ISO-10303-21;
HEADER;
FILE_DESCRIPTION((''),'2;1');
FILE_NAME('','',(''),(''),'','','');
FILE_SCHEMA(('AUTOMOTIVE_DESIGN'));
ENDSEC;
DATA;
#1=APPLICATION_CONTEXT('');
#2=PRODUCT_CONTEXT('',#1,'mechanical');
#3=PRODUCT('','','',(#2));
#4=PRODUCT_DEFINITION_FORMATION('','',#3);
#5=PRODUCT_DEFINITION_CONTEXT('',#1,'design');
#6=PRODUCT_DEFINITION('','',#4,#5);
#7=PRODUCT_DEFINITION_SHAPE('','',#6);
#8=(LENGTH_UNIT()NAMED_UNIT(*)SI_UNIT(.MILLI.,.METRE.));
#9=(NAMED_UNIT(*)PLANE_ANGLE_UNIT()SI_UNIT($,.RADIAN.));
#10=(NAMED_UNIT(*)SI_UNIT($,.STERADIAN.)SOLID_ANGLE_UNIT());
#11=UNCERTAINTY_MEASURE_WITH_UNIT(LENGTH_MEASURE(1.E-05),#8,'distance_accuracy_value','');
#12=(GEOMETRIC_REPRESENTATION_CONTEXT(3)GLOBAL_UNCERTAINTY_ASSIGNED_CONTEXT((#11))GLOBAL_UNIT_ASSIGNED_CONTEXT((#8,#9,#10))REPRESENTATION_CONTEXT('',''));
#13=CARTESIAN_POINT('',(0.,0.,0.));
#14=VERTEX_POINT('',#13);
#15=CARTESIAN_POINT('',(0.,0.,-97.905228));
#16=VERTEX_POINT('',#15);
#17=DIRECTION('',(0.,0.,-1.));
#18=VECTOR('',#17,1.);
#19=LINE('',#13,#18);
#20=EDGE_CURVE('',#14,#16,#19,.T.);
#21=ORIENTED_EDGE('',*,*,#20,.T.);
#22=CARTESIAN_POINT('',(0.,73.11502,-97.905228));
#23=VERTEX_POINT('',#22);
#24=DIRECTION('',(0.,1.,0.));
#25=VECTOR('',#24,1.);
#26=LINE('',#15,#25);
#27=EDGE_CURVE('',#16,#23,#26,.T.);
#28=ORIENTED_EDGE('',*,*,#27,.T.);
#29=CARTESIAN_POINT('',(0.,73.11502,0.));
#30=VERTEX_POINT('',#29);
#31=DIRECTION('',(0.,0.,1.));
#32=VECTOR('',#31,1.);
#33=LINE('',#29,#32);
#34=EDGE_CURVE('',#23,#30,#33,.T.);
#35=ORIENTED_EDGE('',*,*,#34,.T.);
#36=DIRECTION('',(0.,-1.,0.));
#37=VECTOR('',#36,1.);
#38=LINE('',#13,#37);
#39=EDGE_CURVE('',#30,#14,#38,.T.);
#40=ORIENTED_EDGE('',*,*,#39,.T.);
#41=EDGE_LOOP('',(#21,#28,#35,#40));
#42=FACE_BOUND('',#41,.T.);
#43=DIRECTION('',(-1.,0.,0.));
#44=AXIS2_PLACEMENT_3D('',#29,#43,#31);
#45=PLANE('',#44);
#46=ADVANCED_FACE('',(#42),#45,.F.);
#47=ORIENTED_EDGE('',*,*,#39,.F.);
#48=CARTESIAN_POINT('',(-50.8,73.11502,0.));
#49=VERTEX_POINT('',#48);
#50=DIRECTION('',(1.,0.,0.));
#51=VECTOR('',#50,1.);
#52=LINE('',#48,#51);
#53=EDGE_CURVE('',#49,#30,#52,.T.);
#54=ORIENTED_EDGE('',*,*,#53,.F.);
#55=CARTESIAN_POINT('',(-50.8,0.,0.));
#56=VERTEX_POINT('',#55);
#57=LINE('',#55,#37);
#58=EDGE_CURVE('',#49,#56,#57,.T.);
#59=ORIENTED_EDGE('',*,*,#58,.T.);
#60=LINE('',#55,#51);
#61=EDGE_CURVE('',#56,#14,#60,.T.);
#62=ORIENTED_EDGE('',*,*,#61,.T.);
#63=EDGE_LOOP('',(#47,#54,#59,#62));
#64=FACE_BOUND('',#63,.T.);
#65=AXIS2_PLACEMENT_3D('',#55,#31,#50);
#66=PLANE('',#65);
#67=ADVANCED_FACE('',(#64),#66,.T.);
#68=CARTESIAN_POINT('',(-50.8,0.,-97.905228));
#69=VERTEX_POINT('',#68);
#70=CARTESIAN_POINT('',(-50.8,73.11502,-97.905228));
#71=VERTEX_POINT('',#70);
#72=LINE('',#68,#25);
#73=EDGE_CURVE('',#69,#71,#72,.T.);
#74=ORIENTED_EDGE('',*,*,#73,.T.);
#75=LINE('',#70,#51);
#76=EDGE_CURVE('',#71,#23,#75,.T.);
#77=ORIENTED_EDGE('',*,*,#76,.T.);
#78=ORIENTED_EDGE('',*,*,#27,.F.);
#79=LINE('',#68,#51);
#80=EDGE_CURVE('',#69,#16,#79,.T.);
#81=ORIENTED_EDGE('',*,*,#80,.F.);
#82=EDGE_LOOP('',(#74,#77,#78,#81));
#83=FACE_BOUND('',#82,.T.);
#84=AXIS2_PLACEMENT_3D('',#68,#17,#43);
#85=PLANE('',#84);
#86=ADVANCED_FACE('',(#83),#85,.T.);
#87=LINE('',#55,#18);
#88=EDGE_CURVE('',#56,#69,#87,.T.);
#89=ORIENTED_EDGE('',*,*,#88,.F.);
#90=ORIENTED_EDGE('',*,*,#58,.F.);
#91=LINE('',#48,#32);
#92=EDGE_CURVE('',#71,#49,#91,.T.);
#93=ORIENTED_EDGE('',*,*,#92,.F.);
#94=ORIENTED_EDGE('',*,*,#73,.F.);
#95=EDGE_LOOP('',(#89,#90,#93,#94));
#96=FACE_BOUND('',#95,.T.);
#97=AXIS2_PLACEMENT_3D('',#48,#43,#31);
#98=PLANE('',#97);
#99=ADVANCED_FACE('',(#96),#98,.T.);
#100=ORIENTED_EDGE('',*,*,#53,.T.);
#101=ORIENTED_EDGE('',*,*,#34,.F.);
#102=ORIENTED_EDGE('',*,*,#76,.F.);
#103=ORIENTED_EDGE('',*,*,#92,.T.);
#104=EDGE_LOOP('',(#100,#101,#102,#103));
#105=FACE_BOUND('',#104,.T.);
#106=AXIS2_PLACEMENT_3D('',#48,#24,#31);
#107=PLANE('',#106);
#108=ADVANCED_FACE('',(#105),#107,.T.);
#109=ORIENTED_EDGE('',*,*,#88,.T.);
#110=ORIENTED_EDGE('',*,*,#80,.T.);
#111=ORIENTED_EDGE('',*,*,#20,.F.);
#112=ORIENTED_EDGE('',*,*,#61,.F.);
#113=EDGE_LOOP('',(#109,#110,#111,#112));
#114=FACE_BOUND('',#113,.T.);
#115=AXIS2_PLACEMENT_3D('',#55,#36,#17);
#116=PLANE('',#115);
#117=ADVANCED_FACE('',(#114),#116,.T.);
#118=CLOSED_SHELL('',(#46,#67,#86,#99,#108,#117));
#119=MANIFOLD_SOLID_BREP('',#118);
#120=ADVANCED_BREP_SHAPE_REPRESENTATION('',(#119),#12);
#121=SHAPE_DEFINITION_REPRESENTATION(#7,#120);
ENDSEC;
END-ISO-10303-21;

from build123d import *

# Parameters (mm, degrees)
SKETCH1_W      = 97.905228439
SKETCH1_H      = 73.115019589
EXTRUDE1_DEPTH = 50.8


with BuildPart() as part:
    # Sketch1 → Extrude1 (new body)
    with BuildSketch(Plane(origin=(0, 0, 0), x_dir=(0, 0, -1), z_dir=(1, 0, 0))):
        with Locations((48.95261422, 36.557509794)):
            Rectangle(SKETCH1_W, SKETCH1_H)
    extrude(amount=-EXTRUDE1_DEPTH)


solid = part.part
